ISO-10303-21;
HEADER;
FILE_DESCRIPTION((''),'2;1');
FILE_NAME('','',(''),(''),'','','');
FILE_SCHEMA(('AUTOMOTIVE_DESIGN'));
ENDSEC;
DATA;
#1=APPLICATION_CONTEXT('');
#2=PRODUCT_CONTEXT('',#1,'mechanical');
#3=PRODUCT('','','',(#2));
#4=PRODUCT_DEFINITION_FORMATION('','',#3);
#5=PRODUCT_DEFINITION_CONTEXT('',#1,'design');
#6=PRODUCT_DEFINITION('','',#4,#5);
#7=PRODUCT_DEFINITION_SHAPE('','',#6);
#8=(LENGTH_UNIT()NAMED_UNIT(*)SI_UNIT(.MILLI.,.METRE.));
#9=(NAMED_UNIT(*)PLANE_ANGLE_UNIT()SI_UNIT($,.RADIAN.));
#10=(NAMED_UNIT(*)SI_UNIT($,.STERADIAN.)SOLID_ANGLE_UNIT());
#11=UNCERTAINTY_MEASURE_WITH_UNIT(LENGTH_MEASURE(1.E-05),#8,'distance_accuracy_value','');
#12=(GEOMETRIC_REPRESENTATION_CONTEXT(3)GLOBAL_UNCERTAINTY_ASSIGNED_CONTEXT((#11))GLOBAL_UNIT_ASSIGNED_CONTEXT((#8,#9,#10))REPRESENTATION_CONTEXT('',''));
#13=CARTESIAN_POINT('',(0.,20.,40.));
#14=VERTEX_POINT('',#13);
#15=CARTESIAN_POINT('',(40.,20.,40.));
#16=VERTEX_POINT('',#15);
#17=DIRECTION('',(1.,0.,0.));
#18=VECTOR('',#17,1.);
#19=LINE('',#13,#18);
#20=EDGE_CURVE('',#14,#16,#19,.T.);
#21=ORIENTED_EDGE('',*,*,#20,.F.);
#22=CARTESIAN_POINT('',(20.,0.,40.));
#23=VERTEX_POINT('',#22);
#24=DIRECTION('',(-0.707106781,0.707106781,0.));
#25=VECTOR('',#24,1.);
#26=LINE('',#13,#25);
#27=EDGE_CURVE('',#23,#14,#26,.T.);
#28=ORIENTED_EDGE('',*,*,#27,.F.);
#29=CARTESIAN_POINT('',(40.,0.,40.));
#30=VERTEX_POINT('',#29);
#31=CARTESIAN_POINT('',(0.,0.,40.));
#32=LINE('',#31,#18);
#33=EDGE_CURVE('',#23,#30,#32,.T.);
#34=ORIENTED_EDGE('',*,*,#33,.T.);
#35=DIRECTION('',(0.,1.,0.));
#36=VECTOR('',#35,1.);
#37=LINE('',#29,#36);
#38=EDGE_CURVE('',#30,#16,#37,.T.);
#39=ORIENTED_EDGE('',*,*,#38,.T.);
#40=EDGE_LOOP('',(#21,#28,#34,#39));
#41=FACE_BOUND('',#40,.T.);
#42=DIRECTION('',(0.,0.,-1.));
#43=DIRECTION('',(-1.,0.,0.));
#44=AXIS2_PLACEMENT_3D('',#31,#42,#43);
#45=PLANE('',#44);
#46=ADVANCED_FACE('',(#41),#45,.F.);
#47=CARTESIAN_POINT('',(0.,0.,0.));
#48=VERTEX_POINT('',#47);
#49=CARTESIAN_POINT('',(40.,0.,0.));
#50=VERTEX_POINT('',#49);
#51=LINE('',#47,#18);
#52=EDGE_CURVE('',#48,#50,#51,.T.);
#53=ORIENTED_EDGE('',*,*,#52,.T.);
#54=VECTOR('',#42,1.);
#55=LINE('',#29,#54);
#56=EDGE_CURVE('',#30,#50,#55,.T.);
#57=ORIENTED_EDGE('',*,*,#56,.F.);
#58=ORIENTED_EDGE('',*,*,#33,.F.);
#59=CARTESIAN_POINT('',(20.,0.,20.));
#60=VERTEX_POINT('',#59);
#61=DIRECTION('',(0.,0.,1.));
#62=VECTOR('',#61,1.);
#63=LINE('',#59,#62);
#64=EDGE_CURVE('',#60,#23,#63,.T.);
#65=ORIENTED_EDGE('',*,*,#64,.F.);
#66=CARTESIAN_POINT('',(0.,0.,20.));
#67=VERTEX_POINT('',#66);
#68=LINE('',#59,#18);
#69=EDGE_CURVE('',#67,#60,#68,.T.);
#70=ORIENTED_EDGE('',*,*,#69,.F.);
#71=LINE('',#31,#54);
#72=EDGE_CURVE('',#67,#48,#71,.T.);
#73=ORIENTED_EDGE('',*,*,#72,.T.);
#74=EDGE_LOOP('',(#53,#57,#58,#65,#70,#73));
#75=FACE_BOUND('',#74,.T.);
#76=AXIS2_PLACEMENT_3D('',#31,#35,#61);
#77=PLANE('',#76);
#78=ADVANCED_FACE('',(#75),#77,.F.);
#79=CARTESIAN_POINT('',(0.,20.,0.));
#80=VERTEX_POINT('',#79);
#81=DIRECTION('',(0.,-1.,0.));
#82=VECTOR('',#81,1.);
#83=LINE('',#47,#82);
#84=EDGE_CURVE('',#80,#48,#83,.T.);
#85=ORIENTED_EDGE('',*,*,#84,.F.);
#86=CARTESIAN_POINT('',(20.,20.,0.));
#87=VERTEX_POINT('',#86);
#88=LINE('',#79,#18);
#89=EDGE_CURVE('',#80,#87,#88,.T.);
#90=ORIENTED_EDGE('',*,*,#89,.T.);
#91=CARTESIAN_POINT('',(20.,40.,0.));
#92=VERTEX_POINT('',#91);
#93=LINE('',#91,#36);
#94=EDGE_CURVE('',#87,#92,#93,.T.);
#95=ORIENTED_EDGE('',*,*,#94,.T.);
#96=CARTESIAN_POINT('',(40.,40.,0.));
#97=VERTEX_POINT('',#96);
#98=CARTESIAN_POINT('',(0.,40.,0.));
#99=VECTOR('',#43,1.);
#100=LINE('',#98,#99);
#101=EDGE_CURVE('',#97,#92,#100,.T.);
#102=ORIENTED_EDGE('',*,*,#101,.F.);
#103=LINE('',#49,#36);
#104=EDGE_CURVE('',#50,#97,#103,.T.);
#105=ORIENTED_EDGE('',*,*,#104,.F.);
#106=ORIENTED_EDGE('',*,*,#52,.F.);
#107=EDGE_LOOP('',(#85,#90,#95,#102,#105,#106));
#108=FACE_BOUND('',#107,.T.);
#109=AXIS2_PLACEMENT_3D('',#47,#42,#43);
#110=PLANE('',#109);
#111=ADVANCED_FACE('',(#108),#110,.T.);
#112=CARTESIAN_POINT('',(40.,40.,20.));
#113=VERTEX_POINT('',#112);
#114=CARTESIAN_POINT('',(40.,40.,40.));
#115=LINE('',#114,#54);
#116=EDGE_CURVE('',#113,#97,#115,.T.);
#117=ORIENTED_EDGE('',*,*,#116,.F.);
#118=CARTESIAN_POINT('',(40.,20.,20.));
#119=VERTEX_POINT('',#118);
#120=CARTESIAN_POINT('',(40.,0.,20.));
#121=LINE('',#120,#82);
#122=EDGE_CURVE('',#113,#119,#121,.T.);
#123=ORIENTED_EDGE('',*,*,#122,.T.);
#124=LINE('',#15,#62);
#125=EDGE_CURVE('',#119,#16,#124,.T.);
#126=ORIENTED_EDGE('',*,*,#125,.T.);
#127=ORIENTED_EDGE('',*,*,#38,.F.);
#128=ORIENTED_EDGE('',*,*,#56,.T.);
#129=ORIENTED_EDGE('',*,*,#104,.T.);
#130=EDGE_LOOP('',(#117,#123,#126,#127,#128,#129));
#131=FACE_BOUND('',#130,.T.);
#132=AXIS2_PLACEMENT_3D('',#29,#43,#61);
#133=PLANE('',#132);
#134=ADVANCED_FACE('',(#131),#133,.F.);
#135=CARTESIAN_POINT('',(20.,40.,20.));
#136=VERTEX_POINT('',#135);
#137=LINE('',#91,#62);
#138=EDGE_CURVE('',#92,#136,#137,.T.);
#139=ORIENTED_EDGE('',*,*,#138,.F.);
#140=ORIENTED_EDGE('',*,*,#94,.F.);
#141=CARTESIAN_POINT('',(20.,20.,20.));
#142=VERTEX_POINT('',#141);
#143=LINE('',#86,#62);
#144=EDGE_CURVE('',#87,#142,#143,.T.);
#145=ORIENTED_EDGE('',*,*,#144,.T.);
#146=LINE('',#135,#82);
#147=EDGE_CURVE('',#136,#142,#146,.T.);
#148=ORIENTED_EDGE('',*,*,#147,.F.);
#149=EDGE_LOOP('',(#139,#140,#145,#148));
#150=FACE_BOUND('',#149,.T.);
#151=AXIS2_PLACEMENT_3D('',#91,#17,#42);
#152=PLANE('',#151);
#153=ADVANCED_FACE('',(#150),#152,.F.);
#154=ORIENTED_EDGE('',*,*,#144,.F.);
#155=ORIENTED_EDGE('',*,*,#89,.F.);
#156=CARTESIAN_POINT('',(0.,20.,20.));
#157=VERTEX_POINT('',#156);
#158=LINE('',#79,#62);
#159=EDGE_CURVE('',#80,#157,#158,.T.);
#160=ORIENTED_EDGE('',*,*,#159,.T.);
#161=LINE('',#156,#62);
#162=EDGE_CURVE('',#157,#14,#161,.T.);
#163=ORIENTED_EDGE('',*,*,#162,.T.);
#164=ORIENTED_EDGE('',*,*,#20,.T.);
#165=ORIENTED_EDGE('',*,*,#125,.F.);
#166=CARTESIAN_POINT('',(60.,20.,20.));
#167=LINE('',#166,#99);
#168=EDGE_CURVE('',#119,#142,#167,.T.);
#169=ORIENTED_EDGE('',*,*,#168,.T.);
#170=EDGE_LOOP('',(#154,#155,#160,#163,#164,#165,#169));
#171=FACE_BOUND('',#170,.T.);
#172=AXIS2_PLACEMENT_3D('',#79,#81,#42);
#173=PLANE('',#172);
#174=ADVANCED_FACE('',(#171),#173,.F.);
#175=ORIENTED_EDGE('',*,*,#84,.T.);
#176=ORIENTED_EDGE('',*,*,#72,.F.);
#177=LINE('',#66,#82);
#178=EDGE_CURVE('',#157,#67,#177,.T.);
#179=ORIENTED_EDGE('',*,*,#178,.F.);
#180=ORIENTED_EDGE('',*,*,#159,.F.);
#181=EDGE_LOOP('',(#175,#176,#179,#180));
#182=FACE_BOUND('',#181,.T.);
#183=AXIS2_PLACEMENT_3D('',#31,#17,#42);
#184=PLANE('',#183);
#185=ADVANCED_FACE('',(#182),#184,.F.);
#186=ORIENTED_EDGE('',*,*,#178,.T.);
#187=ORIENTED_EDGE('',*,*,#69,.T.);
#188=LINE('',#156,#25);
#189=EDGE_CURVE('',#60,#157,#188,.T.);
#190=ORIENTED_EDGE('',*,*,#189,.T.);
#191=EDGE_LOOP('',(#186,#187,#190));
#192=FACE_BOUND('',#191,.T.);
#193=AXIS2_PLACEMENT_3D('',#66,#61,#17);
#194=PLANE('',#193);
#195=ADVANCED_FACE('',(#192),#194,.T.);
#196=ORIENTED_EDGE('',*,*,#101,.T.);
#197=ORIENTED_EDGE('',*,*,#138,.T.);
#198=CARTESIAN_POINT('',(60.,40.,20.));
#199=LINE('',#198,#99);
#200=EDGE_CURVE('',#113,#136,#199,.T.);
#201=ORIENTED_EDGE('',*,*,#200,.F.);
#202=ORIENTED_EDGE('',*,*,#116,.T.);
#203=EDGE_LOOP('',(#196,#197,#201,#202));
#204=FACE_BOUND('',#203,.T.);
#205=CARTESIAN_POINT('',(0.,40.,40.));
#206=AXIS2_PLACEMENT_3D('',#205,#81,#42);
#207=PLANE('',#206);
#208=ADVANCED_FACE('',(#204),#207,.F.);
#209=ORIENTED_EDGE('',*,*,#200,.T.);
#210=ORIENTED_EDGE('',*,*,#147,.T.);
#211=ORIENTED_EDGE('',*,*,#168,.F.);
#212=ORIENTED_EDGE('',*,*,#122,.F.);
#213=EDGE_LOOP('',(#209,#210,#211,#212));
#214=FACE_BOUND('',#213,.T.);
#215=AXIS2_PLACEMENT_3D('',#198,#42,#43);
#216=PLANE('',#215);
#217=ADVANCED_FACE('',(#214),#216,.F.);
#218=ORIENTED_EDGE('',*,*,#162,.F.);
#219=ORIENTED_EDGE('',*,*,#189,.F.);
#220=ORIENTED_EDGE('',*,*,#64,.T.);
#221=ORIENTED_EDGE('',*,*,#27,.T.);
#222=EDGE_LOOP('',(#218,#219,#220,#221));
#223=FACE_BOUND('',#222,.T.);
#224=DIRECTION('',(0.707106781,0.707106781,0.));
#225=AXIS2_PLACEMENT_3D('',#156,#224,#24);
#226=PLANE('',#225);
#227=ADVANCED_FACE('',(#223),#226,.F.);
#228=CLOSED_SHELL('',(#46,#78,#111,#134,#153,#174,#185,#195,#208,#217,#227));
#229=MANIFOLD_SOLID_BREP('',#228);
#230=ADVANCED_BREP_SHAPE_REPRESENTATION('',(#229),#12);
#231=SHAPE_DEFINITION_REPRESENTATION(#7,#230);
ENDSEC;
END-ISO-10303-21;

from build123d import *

# Parameters (mm, degrees)
SKETCH1_W           = 40
SKETCH1_H           = 40
BOSS_EXTRUDE1_DEPTH = 40
SKETCH2_W           = 20
SKETCH2_H           = 20
CUT_EXTRUDE1_DEPTH  = 40
SKETCH3_W           = 20
SKETCH3_H           = 20
CUT_EXTRUDE2_DEPTH  = 40
CUT_EXTRUDE3_DEPTH  = 20


with BuildPart() as part:
    # Sketch1 → Boss-Extrude1 (new body)
    with BuildSketch(Plane.XY):
        with Locations((20, 20)):
            Rectangle(SKETCH1_W, SKETCH1_H)
    extrude(amount=BOSS_EXTRUDE1_DEPTH)

    # Sketch2 → Cut-Extrude1 (cut)
    with BuildSketch(Plane.XY.offset(40)):
        with Locations((10, 30)):
            Rectangle(SKETCH2_W, SKETCH2_H)
    extrude(amount=-CUT_EXTRUDE1_DEPTH, mode=Mode.SUBTRACT)

    # Sketch3 → Cut-Extrude2 (cut)
    with BuildSketch(Plane.ZY.offset(-20)):
        with Locations((30, 30)):
            Rectangle(SKETCH3_W, SKETCH3_H)
    extrude(amount=-CUT_EXTRUDE2_DEPTH, mode=Mode.SUBTRACT)

    # Sketch4 → Cut-Extrude3 (cut)
    with BuildSketch(Plane.XY.offset(40)):
        Polygon((0, 20), (20, 0), (0, 0), align=None)
    extrude(amount=-CUT_EXTRUDE3_DEPTH, mode=Mode.SUBTRACT)


solid = part.part
